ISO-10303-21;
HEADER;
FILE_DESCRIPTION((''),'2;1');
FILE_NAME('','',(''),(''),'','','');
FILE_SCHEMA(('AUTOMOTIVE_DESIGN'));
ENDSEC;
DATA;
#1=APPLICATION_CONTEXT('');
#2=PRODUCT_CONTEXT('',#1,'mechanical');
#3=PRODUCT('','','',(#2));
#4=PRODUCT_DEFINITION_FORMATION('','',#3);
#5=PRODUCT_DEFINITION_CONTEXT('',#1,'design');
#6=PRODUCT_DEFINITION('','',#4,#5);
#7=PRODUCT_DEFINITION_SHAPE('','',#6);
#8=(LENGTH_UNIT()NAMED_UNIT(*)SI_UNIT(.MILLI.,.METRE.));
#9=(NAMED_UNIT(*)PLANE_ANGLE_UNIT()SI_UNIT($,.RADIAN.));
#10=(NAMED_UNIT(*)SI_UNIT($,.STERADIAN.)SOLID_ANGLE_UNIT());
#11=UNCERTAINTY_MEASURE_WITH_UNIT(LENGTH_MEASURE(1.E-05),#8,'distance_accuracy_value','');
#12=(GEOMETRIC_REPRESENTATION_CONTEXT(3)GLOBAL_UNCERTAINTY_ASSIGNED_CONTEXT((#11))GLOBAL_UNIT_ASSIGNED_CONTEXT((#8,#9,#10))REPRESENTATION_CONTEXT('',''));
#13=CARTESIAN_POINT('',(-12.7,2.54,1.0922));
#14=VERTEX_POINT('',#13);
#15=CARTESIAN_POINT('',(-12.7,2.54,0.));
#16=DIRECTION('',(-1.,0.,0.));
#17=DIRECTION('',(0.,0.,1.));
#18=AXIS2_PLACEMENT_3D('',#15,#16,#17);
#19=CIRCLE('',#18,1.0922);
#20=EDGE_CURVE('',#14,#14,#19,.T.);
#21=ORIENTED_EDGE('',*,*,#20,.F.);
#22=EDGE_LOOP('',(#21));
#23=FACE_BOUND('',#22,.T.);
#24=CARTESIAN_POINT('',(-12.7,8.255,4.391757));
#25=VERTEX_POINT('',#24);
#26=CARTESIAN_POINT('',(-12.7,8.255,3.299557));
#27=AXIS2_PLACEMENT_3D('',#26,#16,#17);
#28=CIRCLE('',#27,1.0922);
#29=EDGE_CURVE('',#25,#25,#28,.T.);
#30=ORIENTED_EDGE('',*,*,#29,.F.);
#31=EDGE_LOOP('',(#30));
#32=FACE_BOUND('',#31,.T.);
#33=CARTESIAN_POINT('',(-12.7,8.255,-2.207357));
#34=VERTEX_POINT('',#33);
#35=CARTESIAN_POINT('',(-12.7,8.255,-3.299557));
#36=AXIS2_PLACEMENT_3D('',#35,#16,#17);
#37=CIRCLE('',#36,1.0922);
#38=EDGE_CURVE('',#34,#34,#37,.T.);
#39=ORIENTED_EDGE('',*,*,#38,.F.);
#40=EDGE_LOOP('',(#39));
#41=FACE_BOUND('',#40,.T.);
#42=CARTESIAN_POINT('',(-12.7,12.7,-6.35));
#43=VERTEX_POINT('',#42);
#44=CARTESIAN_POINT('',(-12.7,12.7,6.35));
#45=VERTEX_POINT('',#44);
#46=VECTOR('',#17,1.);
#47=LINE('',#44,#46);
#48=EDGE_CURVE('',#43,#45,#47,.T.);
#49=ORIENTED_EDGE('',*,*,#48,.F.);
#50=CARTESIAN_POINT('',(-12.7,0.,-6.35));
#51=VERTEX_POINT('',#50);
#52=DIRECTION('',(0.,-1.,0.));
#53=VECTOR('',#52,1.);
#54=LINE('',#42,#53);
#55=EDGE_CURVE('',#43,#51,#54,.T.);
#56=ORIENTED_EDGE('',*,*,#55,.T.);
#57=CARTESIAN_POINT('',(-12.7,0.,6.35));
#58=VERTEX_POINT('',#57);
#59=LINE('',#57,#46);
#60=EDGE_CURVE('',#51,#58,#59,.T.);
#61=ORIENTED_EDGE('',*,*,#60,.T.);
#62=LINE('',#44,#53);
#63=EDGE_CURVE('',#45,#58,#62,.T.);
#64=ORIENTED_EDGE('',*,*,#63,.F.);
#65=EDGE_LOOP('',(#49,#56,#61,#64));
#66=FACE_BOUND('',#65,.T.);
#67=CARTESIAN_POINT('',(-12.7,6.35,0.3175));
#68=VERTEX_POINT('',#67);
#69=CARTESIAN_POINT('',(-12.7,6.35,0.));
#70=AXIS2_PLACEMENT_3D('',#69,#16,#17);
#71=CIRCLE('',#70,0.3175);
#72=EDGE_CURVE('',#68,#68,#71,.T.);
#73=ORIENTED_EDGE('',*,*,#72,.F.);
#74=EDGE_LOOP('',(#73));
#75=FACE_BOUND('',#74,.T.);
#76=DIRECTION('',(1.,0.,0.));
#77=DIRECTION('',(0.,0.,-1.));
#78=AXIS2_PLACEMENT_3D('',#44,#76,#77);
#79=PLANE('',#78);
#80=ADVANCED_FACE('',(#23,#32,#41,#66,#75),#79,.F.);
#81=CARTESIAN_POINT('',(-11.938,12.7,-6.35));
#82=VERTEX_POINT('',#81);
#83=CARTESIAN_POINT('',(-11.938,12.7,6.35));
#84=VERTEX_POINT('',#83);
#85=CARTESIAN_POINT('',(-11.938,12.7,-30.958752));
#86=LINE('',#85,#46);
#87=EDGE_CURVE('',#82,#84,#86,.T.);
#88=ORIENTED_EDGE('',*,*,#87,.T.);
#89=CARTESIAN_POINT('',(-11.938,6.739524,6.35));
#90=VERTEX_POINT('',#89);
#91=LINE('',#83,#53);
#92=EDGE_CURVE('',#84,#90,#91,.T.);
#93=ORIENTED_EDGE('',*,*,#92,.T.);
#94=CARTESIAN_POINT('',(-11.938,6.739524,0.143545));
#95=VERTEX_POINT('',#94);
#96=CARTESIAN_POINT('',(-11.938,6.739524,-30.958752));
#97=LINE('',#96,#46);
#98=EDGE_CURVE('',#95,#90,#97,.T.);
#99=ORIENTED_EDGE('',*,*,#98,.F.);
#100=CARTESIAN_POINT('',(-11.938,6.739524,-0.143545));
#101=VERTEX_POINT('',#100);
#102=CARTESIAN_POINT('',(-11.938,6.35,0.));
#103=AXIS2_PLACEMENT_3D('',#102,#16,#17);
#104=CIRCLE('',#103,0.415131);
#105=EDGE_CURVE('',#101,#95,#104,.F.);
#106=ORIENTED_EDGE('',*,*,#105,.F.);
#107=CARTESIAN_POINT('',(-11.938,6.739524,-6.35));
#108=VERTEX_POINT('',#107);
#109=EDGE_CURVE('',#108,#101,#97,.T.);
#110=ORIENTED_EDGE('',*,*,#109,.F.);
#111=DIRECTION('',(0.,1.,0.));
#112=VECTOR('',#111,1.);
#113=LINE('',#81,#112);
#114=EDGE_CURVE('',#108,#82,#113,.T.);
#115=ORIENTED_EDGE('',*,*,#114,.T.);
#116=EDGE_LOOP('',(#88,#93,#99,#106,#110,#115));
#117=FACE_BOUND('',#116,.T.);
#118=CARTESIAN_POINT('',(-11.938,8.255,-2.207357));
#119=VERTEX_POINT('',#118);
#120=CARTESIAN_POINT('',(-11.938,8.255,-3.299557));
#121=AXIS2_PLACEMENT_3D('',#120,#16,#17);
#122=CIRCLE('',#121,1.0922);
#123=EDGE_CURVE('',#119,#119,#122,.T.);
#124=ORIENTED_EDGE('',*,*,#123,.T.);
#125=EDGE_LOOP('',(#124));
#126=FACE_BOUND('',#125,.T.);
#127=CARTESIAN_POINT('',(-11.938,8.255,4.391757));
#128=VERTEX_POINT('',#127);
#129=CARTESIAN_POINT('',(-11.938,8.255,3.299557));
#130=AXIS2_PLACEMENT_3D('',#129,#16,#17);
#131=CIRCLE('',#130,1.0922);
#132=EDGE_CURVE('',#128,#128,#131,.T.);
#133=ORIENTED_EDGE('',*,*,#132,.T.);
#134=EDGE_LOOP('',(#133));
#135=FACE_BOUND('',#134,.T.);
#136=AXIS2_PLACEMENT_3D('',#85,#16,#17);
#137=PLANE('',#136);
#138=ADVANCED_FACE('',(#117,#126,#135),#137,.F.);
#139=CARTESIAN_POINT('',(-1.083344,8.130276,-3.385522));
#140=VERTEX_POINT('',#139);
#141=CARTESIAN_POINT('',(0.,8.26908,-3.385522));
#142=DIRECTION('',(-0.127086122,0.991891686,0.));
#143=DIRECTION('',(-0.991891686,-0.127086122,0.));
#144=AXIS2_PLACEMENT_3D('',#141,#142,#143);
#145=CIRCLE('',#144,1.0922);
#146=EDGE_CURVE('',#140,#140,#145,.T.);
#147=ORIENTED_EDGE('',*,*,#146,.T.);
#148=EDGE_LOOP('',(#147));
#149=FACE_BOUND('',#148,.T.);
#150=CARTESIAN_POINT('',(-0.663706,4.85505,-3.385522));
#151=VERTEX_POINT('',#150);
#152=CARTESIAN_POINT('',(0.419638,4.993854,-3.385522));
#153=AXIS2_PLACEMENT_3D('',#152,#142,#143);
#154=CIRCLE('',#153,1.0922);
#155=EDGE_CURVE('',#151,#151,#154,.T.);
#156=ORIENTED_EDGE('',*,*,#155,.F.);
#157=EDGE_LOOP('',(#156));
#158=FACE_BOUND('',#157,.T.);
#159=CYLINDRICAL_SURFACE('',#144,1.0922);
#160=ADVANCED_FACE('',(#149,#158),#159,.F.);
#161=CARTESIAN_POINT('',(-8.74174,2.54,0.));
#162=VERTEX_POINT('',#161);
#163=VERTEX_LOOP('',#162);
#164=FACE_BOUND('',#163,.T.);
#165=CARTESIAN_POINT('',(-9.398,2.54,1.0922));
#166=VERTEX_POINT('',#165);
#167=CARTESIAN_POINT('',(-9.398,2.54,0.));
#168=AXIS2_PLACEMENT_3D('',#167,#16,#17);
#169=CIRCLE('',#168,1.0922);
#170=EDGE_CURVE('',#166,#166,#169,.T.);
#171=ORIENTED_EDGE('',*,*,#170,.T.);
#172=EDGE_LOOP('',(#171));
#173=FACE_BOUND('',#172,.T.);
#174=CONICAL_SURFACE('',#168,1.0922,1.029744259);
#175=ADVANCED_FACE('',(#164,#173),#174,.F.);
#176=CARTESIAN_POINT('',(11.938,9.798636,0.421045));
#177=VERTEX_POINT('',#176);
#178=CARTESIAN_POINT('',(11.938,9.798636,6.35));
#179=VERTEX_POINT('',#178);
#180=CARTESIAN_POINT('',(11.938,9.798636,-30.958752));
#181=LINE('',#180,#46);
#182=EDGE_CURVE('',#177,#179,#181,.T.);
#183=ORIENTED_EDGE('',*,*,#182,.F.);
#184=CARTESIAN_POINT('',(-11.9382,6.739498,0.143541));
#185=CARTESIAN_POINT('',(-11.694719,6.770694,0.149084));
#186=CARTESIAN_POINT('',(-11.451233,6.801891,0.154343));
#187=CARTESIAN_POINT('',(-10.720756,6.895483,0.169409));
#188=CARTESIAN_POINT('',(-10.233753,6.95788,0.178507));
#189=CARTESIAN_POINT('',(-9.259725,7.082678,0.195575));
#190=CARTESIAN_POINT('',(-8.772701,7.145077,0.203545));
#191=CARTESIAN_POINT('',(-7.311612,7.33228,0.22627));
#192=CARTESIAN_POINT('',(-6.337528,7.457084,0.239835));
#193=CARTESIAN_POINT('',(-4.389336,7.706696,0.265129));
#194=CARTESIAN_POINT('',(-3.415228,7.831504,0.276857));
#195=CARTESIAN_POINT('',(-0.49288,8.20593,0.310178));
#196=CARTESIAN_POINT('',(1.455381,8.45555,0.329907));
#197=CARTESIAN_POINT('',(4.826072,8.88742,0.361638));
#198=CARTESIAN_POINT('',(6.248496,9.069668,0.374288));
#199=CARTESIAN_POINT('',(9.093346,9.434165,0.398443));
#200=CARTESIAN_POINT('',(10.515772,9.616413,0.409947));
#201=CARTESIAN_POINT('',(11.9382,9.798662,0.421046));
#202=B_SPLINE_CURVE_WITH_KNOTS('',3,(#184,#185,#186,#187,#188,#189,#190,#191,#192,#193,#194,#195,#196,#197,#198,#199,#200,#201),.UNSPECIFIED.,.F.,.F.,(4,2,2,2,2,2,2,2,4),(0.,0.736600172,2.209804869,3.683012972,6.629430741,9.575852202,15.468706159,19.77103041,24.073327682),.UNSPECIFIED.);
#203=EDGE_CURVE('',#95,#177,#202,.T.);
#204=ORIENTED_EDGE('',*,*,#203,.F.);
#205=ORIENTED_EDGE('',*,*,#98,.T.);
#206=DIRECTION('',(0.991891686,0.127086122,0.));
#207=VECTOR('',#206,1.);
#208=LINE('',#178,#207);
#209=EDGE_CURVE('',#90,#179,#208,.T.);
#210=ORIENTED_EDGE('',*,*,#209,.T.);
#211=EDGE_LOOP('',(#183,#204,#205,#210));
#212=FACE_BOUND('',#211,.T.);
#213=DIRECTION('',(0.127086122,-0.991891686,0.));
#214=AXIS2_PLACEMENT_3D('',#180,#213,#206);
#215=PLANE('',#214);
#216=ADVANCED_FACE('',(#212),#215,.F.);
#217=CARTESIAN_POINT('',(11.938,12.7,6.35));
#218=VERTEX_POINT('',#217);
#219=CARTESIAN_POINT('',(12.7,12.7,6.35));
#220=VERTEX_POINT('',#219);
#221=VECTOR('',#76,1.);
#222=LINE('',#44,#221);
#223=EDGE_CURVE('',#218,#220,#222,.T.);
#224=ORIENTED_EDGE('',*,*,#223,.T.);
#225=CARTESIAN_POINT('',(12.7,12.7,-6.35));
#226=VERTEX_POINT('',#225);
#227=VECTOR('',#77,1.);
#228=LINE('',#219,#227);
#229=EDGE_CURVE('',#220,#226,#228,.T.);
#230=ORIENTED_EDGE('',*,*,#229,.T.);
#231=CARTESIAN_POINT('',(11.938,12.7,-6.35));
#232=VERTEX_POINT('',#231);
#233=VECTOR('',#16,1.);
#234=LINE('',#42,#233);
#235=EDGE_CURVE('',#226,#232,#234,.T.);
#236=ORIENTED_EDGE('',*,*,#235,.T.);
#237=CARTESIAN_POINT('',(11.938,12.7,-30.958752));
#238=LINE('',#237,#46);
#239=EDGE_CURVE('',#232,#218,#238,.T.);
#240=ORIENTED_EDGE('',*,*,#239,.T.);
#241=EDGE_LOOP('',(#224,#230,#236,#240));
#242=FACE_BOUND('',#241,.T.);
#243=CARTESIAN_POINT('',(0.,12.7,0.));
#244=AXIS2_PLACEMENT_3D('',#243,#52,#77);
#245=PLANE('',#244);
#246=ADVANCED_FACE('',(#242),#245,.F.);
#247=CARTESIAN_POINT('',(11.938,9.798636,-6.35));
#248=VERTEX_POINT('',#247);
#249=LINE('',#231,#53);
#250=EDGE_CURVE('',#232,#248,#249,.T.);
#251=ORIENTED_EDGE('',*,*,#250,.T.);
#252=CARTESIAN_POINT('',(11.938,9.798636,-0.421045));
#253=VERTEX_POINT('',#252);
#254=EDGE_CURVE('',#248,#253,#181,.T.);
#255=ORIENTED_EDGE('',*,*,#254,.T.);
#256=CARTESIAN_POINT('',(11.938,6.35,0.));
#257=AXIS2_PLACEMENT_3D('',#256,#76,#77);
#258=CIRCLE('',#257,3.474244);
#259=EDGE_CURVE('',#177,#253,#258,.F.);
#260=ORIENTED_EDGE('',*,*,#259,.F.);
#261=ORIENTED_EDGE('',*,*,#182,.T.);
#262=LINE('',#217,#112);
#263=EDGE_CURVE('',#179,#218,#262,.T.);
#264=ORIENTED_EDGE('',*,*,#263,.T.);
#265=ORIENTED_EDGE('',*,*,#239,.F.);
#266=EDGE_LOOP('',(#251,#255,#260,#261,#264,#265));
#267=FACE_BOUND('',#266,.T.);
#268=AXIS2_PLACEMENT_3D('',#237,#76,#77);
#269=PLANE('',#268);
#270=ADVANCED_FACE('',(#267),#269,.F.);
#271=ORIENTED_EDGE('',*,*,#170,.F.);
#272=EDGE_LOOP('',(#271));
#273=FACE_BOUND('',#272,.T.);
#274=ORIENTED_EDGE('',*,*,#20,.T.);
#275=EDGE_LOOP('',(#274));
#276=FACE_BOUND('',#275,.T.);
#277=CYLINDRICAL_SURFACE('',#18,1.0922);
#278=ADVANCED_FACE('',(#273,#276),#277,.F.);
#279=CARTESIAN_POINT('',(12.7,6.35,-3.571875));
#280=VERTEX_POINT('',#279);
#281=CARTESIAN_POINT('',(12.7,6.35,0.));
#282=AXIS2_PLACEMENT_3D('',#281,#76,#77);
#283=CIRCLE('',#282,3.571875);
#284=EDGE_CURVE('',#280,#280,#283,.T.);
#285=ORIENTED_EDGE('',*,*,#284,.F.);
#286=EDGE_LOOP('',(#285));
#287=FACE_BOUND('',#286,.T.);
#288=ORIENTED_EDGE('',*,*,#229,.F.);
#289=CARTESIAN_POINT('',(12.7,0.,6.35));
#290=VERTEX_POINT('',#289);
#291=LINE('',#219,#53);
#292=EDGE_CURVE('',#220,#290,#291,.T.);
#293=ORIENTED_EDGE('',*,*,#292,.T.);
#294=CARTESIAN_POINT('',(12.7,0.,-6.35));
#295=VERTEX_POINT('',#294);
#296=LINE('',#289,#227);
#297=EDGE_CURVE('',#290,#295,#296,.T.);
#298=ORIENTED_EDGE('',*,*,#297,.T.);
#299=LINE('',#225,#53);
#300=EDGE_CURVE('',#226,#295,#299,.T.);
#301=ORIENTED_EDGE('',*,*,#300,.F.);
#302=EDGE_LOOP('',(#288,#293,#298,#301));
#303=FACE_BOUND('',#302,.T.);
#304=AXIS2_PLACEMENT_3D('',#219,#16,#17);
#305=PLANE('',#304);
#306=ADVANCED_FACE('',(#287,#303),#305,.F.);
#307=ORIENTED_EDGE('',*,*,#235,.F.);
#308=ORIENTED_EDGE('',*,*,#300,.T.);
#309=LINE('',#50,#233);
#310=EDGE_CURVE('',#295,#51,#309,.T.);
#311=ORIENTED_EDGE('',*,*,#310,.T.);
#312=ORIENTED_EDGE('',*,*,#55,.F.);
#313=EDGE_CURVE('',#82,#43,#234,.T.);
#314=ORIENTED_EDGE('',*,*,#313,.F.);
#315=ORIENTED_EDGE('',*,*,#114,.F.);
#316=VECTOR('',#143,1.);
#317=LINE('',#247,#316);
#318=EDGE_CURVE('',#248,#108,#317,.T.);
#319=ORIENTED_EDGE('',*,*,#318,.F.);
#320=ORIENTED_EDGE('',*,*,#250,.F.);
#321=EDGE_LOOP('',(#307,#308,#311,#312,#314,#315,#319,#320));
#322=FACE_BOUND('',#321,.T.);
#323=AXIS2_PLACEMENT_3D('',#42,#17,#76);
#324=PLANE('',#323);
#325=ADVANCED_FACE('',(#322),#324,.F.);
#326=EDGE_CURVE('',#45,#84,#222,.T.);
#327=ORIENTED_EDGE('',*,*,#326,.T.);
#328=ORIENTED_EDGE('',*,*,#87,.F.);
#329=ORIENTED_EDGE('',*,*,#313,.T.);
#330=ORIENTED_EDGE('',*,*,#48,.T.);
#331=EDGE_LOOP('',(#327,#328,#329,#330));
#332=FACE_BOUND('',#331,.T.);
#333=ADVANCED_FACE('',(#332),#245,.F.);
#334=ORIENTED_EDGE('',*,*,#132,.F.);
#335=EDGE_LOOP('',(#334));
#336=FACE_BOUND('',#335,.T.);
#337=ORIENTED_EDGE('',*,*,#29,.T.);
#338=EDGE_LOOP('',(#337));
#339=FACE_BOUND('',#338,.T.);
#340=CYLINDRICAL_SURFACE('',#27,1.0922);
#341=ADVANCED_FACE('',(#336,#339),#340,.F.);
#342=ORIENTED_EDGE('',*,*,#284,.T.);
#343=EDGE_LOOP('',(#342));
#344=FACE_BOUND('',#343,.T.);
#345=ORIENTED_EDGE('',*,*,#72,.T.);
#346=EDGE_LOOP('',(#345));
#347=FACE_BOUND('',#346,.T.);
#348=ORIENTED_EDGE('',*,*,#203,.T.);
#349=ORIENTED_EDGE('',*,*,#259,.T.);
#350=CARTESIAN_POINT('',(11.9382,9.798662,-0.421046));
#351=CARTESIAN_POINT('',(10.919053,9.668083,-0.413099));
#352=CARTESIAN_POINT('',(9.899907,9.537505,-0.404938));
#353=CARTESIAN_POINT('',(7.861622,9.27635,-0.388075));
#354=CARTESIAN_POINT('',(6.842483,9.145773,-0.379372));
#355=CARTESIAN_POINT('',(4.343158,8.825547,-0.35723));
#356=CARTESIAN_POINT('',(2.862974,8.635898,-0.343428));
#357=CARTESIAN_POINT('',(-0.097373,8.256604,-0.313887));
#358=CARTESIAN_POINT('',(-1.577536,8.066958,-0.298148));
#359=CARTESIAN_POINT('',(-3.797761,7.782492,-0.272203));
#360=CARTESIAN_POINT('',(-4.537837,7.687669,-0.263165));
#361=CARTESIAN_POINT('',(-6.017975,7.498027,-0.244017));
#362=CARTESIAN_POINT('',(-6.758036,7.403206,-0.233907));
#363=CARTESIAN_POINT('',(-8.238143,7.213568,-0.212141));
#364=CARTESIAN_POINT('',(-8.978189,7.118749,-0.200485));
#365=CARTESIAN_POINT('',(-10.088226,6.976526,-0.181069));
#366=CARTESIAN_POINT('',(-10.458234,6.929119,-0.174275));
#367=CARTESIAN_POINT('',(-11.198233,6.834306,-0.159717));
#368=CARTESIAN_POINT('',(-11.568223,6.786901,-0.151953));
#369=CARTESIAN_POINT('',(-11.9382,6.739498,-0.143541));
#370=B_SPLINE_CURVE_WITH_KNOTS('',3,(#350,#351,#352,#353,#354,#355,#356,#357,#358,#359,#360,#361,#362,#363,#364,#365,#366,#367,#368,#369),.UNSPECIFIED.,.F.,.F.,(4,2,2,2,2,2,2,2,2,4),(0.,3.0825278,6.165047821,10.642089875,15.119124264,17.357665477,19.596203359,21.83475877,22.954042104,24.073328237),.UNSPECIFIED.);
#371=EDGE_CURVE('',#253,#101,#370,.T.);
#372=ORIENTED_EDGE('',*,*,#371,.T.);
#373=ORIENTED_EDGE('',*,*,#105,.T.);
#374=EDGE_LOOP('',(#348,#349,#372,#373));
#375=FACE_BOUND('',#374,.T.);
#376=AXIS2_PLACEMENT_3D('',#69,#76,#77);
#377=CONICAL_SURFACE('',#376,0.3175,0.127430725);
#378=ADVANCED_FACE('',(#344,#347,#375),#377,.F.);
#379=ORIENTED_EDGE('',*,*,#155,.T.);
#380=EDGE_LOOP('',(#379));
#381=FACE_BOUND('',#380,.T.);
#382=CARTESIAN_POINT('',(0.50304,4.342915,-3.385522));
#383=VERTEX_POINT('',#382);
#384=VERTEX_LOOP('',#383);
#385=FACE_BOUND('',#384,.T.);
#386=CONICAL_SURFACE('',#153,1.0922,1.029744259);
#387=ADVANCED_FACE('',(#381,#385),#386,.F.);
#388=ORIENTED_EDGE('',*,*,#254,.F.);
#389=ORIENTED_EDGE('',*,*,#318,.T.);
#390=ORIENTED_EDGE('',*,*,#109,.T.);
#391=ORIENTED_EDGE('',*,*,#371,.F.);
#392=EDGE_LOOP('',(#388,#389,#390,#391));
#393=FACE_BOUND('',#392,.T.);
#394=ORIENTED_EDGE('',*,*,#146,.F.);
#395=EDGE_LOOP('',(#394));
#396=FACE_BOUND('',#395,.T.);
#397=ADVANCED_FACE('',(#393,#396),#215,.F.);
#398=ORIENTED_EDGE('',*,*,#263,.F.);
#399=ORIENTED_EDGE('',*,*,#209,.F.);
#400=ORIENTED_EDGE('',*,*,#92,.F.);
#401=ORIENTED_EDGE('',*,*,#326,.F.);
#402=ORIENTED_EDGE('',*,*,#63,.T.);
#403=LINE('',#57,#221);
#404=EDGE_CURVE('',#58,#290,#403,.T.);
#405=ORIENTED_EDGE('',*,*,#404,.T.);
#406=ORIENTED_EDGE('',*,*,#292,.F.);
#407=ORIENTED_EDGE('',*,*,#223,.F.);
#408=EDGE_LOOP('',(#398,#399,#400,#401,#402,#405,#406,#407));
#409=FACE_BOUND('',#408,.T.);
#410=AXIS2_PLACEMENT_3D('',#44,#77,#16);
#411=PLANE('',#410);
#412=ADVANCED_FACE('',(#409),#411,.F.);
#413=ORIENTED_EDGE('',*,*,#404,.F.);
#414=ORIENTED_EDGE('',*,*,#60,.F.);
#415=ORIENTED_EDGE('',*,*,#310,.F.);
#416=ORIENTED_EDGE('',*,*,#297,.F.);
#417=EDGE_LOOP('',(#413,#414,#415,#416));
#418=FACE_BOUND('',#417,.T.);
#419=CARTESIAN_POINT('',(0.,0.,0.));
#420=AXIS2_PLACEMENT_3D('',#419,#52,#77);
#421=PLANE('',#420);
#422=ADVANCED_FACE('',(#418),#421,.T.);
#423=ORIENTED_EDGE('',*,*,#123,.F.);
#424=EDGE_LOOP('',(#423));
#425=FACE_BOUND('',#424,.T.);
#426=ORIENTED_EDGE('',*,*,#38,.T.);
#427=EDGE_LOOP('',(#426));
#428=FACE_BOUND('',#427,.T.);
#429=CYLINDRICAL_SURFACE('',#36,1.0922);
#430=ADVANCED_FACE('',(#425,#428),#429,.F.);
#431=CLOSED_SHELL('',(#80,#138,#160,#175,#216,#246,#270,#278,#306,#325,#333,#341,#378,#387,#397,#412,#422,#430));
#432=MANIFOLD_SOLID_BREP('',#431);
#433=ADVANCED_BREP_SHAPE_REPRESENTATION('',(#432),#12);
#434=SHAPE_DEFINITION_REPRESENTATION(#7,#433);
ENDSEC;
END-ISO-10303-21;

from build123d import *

# Parameters (mm, degrees)
SKETCH1_W                 = 25.4
SKETCH1_H                 = 12.7
BOSS_EXTRUDE1_DEPTH       = 12.7
SKETCH2_R                 = 3.571875
SKETCH3_R                 = 0.3175
CUT_EXTRUDE2_REACH        = 23.997
F_2_56_TAPPED_HOLE2_D     = 2.1844
F_2_56_TAPPED_HOLE2_DEPTH = 3.302
F_2_56_TAPPED_HOLE2_TIP   = 0.656259968
CIRPATTERN1_COUNT         = 3


with BuildPart() as part:
    # Sketch1 → Boss-Extrude1 (new body)
    with BuildSketch(Plane(origin=(0, 0, 0), x_dir=(1, 0, 0), z_dir=(0, 1, 0))):
        Rectangle(SKETCH1_W, SKETCH1_H)
    extrude(amount=BOSS_EXTRUDE1_DEPTH)

    # Sketch2 → Cut-Loft2 section 0
    with BuildSketch(Plane(origin=(12.7, 0, 0), x_dir=(0, 0, -1), z_dir=(1, 0, 0))):
        with Locations((0, 6.35)):
            Circle(SKETCH2_R)
    # Sketch3 → Cut-Loft2 section 1
    with BuildSketch(Plane.ZY.offset(12.7)):
        with Locations((0, 6.35)):
            Circle(SKETCH3_R)
    loft(mode=Mode.SUBTRACT)

    # Cut-Extrude2: up to this face of the body (flat: up to its plane)
    cut_extrude2_end = Plane(part.part.faces().sort_by_distance((0, 6.35, -6.35))[0])
    # Sketch6 → Cut-Extrude2 (cut, up to the picked face)
    with BuildSketch(Plane.XY.offset(6.35), mode=Mode.PRIVATE) as cut_extrude2_sk1:
        Polygon((-11.938, 12.7), (11.938, 12.7), (11.938, 9.798636115), (-11.938, 6.739523615), align=None)
    cut_extrude2_tool1 = split(extrude(cut_extrude2_sk1.sketch, amount=-CUT_EXTRUDE2_REACH, mode=Mode.PRIVATE), bisect_by=cut_extrude2_end, keep=Keep.BOTH, mode=Mode.PRIVATE)
    add(cut_extrude2_tool1.solids().sort_by(Axis((-1.373668, 10.396539, 6.35), (0, 0, -1)))[0], mode=Mode.SUBTRACT)

    # #2-56 Tapped Hole2
    with Locations(Plane(origin=(-1.042364388, 8.135526928, 0), x_dir=(0.9918916863822601, 0.12708612231772706, 0), z_dir=(-0.12708612231772703, 0.99189168638226, 0))):
        with Locations((1.050885295, 3.385522314)):
            Hole(F_2_56_TAPPED_HOLE2_D / 2, depth=F_2_56_TAPPED_HOLE2_DEPTH)
            with Locations((0, 0, -(F_2_56_TAPPED_HOLE2_DEPTH + F_2_56_TAPPED_HOLE2_TIP / 2))):  # 118° drill point
                Cone(0, F_2_56_TAPPED_HOLE2_D / 2, F_2_56_TAPPED_HOLE2_TIP, mode=Mode.SUBTRACT)

    # Sketch26 → #2-56 Tapped Hole3 (revolve, cut)
    with BuildSketch(Plane(origin=(-12.7, 2.54, 0), x_dir=(0, 0, 1), z_dir=(0, 1, 0))):
        Polygon((0, 0), (0, 3.958259968), (1.0922, 3.302), (1.0922, 0), align=None)
    f_2_56_tapped_hole3 = revolve(axis=Axis((-19.05, 2.54, 0), (1, 0, 0)), mode=Mode.SUBTRACT)

    # CirPattern1: #2-56 Tapped Hole3 ×3 about axis
    cirpattern1_axis = Axis((0, 6.35, 0), (1, 0, 0))
    for i in range(1, CIRPATTERN1_COUNT):
        add(f_2_56_tapped_hole3.rotate(cirpattern1_axis, i * 360 / CIRPATTERN1_COUNT), mode=Mode.SUBTRACT)


solid = part.part
